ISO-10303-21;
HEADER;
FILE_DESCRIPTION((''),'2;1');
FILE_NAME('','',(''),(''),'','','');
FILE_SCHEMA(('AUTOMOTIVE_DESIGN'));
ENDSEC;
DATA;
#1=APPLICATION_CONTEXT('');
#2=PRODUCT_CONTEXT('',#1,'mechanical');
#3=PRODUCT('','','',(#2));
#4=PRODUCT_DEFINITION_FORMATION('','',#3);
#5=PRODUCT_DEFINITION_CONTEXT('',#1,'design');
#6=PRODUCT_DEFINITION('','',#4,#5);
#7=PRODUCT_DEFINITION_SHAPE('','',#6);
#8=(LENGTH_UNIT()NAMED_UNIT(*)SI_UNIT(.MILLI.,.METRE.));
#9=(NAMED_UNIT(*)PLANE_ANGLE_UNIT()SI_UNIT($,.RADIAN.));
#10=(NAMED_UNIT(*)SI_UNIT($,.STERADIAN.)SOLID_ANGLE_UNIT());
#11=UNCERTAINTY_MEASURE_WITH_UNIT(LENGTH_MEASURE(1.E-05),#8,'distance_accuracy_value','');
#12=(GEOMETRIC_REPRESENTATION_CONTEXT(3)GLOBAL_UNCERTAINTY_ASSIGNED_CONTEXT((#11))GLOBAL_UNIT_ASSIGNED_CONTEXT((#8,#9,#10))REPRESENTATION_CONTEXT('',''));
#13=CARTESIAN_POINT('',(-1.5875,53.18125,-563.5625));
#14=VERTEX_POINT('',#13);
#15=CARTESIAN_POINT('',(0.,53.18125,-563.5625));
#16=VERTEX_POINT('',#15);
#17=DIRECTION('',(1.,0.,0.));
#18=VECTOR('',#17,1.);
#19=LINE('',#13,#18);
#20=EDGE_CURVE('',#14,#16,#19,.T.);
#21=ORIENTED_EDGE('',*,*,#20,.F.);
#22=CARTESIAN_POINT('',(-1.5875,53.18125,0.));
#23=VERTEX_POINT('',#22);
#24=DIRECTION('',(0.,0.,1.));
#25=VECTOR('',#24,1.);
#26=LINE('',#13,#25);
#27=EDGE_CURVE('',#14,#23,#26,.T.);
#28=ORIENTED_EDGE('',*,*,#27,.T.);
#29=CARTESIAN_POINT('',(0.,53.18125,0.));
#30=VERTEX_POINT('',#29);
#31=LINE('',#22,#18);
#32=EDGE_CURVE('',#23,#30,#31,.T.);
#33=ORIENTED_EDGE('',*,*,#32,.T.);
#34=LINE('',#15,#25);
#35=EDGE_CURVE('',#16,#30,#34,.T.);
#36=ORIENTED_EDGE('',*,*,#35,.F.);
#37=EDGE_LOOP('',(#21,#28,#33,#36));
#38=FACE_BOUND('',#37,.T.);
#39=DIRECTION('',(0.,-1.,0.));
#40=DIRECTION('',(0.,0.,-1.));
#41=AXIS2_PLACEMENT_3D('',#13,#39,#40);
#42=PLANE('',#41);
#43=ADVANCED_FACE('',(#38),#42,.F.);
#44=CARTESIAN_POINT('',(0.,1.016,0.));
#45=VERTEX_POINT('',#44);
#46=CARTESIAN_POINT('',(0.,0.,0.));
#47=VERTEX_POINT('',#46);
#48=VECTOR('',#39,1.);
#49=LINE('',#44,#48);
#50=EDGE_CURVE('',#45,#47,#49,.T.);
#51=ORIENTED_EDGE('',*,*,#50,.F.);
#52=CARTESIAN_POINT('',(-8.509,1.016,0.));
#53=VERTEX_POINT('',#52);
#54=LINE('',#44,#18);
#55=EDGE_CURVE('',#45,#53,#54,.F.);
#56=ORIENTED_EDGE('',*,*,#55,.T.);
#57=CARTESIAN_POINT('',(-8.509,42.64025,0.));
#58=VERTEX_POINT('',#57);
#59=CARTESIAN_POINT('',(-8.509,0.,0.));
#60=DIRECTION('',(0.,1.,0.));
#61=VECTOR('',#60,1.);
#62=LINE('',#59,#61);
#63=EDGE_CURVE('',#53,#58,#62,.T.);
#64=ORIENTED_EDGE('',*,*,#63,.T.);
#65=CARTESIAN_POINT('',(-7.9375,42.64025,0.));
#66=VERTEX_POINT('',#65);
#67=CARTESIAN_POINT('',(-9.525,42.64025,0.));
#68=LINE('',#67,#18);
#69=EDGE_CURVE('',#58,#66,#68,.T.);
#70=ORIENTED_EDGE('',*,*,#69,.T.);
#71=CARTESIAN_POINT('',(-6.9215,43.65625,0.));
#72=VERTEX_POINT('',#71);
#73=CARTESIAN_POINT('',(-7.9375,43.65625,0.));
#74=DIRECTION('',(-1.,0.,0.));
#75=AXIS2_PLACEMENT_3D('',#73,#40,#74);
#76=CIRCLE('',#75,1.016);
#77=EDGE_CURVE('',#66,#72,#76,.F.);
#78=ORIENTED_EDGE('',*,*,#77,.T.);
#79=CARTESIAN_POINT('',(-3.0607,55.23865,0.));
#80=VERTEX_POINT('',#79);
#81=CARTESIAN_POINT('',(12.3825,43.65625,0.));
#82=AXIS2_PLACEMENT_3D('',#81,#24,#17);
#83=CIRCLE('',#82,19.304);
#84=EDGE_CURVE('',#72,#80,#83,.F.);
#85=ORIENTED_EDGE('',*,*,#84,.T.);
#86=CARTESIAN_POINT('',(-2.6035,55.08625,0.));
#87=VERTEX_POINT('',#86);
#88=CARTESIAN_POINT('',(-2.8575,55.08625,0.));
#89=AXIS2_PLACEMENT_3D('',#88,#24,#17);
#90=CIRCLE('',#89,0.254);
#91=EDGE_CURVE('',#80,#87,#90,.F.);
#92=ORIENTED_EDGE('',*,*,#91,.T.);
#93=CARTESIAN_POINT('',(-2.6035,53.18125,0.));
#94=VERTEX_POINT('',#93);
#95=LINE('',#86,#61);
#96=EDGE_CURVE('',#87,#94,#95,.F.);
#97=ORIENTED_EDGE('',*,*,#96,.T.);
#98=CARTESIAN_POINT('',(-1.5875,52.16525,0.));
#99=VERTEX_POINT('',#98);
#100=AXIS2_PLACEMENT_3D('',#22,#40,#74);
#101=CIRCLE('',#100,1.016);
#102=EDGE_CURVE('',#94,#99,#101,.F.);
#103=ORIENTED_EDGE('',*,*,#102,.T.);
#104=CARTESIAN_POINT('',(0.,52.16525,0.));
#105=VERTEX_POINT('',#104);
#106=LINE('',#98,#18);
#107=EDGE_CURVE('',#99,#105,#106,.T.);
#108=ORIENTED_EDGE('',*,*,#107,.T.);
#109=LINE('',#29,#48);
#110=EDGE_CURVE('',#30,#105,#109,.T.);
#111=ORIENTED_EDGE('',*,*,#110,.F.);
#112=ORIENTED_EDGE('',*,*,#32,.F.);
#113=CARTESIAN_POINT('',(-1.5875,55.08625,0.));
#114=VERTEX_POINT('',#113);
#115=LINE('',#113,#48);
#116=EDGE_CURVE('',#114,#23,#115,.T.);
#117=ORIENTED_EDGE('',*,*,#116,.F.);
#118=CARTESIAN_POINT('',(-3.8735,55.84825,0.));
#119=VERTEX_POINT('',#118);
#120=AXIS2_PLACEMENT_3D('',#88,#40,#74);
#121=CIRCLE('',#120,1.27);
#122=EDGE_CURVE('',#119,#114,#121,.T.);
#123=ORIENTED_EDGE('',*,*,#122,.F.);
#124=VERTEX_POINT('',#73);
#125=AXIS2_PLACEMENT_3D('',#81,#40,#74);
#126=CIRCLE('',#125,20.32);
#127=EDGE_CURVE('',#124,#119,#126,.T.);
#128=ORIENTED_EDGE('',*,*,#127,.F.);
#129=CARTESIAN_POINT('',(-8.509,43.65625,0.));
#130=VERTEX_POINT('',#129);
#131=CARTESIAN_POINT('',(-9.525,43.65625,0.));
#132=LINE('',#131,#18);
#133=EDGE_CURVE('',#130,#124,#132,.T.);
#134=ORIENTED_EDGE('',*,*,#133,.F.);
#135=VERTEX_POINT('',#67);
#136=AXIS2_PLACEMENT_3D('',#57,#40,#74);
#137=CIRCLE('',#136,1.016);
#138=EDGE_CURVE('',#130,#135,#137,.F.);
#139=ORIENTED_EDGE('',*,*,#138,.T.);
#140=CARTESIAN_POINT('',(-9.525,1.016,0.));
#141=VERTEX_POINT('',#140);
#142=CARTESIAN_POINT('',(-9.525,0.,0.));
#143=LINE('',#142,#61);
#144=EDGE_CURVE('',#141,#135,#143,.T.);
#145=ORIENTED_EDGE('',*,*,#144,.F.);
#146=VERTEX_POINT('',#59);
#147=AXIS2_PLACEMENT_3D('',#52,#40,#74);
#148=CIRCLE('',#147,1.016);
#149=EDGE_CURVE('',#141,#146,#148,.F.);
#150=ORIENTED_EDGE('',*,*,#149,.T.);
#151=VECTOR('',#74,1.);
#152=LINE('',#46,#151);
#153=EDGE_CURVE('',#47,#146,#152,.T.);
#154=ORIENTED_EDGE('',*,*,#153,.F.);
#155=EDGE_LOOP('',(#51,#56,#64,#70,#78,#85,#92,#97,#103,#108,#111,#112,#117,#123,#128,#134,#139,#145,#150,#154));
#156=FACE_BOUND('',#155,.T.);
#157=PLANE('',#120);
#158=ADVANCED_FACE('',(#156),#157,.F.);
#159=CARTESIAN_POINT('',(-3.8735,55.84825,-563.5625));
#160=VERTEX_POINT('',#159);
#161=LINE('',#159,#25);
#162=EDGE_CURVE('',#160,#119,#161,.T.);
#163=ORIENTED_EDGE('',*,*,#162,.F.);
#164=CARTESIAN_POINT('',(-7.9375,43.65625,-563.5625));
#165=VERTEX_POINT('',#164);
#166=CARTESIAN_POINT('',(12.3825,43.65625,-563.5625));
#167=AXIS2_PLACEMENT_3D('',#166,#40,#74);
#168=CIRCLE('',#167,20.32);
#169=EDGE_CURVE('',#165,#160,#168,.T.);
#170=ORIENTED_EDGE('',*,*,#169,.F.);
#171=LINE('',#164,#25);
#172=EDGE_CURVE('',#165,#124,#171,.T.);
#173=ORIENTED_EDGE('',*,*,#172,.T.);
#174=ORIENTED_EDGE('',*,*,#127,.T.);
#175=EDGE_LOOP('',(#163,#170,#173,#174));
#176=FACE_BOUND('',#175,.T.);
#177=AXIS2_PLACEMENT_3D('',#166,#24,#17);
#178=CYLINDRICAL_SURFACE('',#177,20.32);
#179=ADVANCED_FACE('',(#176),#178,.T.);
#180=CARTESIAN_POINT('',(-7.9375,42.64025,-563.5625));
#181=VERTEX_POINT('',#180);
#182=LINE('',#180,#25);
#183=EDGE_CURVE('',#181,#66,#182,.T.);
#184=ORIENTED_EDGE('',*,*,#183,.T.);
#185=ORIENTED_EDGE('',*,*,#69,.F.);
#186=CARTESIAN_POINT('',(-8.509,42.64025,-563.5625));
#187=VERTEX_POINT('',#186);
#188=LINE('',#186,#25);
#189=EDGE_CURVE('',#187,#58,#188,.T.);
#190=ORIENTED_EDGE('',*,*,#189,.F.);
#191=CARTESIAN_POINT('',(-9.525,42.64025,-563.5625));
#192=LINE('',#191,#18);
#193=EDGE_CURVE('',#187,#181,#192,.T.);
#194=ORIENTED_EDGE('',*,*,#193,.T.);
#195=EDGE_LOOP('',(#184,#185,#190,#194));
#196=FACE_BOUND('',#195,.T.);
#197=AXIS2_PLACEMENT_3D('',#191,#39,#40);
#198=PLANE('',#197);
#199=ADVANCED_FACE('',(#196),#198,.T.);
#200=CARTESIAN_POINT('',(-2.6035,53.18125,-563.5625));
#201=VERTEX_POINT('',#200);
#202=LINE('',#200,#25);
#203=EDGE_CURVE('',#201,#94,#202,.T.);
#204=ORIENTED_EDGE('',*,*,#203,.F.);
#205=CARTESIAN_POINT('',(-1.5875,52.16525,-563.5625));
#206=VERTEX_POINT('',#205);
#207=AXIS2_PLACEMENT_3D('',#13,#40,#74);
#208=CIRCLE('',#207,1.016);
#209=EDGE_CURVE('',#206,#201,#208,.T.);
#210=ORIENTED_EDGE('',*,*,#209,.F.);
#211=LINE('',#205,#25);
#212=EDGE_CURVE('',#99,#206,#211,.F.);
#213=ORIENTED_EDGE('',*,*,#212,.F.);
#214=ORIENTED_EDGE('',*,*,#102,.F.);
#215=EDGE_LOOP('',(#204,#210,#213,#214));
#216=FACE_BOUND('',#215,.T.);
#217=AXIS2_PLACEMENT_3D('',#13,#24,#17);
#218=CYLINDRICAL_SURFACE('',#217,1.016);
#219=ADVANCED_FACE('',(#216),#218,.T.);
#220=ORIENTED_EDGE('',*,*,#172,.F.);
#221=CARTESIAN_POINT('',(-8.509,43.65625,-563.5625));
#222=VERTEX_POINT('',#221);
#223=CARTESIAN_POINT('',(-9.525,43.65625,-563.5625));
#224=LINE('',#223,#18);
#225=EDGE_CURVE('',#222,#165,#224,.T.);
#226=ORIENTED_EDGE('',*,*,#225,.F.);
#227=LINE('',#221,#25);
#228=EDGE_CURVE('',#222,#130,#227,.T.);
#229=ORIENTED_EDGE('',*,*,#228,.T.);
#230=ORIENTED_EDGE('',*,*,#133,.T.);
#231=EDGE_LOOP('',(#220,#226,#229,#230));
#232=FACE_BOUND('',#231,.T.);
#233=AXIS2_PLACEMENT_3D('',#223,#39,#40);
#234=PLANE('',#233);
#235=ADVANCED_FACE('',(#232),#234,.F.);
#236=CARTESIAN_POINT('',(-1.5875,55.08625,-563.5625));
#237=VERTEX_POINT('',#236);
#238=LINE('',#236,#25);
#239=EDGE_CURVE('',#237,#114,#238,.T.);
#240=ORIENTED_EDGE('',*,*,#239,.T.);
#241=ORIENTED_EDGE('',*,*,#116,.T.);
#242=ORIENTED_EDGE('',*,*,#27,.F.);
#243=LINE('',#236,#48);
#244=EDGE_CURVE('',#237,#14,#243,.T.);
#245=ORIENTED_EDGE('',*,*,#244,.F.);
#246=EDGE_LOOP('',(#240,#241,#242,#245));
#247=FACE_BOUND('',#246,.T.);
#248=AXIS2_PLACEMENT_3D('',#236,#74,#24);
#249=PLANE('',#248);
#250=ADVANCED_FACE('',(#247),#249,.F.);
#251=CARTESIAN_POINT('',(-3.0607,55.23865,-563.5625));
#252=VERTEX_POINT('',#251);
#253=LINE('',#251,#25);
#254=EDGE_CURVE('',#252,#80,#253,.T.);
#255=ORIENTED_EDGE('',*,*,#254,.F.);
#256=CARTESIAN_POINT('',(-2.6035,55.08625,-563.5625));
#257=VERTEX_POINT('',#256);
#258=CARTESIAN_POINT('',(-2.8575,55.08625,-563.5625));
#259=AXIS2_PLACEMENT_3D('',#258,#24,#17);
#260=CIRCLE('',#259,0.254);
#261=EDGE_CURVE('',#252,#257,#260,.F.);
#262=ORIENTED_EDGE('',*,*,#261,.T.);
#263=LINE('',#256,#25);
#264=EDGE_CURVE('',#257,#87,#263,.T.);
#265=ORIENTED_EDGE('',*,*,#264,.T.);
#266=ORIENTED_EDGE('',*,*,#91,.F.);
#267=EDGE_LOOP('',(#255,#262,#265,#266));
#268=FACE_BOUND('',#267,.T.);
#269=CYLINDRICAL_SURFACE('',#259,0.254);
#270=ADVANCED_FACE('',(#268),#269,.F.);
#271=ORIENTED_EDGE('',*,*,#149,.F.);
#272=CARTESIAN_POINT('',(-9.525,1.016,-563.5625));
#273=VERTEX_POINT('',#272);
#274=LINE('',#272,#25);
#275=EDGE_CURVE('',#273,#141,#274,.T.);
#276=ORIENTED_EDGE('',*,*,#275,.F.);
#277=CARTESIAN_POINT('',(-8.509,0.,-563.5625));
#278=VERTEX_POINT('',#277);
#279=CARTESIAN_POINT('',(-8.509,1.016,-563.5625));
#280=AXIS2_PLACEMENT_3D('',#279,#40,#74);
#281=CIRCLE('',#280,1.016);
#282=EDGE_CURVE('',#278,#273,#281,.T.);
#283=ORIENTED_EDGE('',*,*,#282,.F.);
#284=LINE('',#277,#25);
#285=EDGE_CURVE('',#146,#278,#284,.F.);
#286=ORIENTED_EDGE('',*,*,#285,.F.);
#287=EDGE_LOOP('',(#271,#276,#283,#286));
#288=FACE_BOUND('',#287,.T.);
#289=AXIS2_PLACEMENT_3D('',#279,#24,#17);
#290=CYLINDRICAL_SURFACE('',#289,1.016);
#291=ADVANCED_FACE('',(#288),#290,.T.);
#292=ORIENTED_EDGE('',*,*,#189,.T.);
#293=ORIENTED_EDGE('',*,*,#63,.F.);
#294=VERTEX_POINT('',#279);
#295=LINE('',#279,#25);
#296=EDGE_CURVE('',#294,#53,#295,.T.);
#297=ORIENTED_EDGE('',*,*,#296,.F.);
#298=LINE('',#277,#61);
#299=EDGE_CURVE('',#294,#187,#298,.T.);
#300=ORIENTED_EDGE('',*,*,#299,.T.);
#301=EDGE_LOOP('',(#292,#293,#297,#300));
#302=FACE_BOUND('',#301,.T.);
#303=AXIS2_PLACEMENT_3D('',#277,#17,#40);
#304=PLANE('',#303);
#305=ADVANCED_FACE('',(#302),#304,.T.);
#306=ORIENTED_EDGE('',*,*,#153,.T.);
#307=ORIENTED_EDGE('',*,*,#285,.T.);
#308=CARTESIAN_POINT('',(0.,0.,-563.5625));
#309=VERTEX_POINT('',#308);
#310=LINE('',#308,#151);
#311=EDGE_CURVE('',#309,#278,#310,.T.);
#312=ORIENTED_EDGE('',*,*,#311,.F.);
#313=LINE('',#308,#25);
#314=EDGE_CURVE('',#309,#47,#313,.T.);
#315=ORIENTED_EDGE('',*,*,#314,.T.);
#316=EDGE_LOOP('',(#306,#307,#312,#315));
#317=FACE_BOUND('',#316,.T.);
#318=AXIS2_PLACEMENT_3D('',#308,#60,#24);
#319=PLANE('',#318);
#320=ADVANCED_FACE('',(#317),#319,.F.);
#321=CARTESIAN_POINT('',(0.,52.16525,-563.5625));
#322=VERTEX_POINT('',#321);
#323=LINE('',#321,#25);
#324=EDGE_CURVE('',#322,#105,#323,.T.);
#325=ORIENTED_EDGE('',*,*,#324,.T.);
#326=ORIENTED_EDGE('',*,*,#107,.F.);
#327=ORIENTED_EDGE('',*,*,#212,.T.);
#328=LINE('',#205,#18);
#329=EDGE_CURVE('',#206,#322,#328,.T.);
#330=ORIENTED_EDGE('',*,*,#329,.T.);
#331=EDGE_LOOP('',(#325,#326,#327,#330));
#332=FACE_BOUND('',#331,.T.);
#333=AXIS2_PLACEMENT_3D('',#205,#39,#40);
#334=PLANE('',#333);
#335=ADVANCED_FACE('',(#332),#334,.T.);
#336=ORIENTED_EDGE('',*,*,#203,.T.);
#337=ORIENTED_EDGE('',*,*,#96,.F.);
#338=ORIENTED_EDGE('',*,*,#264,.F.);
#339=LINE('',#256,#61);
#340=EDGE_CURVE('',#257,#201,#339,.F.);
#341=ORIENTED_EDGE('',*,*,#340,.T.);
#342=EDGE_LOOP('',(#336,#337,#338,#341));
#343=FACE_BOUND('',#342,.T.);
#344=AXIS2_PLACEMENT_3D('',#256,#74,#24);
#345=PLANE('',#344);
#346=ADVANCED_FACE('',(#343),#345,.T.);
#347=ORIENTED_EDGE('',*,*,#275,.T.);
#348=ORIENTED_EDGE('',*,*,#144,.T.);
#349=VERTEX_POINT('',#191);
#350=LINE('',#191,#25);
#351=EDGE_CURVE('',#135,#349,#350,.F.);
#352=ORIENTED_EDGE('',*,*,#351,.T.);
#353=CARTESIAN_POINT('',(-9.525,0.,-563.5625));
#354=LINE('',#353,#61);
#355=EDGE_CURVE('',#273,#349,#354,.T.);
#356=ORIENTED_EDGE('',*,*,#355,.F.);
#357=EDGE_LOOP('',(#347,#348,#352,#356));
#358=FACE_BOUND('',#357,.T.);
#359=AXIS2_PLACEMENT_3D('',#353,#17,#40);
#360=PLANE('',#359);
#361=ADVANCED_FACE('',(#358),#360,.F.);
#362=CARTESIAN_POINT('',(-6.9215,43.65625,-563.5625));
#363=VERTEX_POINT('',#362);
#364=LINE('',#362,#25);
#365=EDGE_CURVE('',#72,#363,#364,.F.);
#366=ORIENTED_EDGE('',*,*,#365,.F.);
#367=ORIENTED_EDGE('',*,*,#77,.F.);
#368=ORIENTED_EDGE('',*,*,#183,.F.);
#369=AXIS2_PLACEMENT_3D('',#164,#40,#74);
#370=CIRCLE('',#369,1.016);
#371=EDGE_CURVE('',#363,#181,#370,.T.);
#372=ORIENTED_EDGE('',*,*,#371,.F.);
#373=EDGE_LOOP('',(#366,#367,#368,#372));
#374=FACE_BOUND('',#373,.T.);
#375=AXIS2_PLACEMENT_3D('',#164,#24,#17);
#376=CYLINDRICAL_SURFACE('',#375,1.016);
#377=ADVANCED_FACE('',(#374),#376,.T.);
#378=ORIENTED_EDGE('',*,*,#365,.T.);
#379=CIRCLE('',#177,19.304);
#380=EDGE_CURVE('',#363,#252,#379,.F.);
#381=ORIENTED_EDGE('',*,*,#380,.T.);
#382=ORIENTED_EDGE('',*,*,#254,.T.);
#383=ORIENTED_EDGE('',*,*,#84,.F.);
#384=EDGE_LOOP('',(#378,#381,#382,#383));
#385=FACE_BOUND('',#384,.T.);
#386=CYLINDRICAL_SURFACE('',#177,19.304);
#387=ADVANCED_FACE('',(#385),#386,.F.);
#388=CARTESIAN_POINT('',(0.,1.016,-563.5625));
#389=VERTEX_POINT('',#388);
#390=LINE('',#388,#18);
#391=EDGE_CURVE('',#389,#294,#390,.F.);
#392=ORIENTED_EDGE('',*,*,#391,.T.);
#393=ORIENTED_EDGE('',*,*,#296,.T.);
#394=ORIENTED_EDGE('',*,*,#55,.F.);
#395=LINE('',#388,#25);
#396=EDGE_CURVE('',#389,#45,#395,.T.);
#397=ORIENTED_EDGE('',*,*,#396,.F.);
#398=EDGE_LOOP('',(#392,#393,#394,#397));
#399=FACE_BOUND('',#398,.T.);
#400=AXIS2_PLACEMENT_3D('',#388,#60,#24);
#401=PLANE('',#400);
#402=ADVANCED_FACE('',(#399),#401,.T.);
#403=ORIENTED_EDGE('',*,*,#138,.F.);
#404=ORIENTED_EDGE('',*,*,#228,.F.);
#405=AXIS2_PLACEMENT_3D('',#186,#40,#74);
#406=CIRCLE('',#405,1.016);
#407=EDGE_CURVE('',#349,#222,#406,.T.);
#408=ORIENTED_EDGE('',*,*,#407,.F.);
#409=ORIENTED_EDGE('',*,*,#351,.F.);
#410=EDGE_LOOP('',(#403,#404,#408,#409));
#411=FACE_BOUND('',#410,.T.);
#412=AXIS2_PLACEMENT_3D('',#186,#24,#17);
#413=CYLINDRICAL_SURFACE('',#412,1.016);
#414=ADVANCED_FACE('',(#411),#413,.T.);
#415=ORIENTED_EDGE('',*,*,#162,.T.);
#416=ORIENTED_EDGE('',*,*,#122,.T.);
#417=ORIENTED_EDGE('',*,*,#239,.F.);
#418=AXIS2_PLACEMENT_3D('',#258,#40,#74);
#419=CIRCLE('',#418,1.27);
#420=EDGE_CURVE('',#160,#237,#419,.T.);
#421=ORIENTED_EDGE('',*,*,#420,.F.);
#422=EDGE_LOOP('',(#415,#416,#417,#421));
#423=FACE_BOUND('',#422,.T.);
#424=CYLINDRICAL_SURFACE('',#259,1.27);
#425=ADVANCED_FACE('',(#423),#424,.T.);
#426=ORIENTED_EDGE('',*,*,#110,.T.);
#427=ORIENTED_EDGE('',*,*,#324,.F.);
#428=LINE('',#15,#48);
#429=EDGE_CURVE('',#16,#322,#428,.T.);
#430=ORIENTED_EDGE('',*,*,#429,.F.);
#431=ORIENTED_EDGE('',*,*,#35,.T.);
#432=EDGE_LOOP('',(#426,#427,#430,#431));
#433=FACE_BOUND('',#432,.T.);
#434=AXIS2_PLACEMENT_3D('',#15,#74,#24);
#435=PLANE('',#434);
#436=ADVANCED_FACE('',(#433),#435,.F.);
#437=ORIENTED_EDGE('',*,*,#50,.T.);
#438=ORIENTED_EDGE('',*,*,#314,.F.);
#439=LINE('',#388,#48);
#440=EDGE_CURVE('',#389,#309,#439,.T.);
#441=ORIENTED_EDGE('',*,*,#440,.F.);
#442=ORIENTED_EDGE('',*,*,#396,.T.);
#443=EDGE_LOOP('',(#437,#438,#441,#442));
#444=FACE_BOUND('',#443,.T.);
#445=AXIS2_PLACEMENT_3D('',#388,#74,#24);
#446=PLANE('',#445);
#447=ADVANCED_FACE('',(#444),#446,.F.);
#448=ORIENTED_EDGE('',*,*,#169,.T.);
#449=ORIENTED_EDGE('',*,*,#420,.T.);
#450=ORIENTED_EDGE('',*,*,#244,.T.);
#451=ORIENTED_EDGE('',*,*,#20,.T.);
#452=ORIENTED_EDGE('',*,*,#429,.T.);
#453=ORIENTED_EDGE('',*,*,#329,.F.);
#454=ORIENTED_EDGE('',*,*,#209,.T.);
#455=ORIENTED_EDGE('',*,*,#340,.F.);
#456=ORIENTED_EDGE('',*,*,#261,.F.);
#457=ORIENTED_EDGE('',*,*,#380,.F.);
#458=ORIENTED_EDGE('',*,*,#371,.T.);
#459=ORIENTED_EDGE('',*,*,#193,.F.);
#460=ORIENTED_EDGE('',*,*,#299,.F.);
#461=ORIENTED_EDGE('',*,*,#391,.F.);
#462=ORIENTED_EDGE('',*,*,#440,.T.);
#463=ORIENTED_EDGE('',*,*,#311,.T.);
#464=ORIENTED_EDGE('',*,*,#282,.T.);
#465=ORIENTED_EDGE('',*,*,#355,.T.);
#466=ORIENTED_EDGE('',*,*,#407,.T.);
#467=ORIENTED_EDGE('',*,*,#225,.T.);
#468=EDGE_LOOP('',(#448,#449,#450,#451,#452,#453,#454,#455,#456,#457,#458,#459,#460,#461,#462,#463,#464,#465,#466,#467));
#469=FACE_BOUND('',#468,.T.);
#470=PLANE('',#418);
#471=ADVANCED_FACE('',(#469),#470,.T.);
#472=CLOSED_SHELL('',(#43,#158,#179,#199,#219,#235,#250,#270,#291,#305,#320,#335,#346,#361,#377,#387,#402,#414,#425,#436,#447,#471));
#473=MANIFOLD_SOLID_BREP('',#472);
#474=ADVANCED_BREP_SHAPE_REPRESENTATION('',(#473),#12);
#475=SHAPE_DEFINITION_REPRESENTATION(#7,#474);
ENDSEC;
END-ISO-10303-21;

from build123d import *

# Parameters (mm, degrees)
EXTRUDE_THIN1_DEPTH = 563.5625
FILLET1_R           = 1.016


with BuildPart() as part:
    # Sketch1 → Extrude-Thin1 (new body)
    with BuildSketch(Plane.XY):
        with BuildLine():
            Line((0, 0), (-9.525, 0))
            Line((-9.525, 0), (-9.525, 43.65625))
            Line((-9.525, 43.65625), (-7.9375, 43.65625))
            ThreePointArc((-7.9375, 43.65625), (-6.894744616, 50.081998205), (-3.8735, 55.84825))
            ThreePointArc((-3.8735, 55.84825), (-2.455890737, 56.291077789), (-1.5875, 55.08625))
            Line((-1.5875, 55.08625), (-1.5875, 53.18125))
            Line((-1.5875, 53.18125), (0, 53.18125))
            Line((0, 53.18125), (0, 52.16525))
            Line((0, 52.16525), (-2.6035, 52.16525))
            Line((-2.6035, 52.16525), (-2.6035, 55.08625))
            ThreePointArc((-2.6035, 55.08625), (-2.777178147, 55.327215558), (-3.0607, 55.23865))
            ThreePointArc((-3.0607, 55.23865), (-6.085235087, 49.276497038), (-6.894744616, 42.64025))
            Line((-6.894744616, 42.64025), (-8.509, 42.64025))
            Line((-8.509, 42.64025), (-8.509, 1.016))
            Line((-8.509, 1.016), (0, 1.016))
            Line((0, 1.016), (0, 0))
        make_face()
    extrude(amount=-EXTRUDE_THIN1_DEPTH)

    # Fillet1
    fillet1_edges = [part.edges().sort_by_distance(p)[0] for p in [
        (-2.6035, 52.16525, -281.78125),
        (-6.894744616, 42.64025, -281.78125),
        (-9.525, 0, -281.78125),
        (-9.525, 43.65625, -281.78125),
    ]]
    fillet(fillet1_edges, radius=FILLET1_R)


solid = part.part
